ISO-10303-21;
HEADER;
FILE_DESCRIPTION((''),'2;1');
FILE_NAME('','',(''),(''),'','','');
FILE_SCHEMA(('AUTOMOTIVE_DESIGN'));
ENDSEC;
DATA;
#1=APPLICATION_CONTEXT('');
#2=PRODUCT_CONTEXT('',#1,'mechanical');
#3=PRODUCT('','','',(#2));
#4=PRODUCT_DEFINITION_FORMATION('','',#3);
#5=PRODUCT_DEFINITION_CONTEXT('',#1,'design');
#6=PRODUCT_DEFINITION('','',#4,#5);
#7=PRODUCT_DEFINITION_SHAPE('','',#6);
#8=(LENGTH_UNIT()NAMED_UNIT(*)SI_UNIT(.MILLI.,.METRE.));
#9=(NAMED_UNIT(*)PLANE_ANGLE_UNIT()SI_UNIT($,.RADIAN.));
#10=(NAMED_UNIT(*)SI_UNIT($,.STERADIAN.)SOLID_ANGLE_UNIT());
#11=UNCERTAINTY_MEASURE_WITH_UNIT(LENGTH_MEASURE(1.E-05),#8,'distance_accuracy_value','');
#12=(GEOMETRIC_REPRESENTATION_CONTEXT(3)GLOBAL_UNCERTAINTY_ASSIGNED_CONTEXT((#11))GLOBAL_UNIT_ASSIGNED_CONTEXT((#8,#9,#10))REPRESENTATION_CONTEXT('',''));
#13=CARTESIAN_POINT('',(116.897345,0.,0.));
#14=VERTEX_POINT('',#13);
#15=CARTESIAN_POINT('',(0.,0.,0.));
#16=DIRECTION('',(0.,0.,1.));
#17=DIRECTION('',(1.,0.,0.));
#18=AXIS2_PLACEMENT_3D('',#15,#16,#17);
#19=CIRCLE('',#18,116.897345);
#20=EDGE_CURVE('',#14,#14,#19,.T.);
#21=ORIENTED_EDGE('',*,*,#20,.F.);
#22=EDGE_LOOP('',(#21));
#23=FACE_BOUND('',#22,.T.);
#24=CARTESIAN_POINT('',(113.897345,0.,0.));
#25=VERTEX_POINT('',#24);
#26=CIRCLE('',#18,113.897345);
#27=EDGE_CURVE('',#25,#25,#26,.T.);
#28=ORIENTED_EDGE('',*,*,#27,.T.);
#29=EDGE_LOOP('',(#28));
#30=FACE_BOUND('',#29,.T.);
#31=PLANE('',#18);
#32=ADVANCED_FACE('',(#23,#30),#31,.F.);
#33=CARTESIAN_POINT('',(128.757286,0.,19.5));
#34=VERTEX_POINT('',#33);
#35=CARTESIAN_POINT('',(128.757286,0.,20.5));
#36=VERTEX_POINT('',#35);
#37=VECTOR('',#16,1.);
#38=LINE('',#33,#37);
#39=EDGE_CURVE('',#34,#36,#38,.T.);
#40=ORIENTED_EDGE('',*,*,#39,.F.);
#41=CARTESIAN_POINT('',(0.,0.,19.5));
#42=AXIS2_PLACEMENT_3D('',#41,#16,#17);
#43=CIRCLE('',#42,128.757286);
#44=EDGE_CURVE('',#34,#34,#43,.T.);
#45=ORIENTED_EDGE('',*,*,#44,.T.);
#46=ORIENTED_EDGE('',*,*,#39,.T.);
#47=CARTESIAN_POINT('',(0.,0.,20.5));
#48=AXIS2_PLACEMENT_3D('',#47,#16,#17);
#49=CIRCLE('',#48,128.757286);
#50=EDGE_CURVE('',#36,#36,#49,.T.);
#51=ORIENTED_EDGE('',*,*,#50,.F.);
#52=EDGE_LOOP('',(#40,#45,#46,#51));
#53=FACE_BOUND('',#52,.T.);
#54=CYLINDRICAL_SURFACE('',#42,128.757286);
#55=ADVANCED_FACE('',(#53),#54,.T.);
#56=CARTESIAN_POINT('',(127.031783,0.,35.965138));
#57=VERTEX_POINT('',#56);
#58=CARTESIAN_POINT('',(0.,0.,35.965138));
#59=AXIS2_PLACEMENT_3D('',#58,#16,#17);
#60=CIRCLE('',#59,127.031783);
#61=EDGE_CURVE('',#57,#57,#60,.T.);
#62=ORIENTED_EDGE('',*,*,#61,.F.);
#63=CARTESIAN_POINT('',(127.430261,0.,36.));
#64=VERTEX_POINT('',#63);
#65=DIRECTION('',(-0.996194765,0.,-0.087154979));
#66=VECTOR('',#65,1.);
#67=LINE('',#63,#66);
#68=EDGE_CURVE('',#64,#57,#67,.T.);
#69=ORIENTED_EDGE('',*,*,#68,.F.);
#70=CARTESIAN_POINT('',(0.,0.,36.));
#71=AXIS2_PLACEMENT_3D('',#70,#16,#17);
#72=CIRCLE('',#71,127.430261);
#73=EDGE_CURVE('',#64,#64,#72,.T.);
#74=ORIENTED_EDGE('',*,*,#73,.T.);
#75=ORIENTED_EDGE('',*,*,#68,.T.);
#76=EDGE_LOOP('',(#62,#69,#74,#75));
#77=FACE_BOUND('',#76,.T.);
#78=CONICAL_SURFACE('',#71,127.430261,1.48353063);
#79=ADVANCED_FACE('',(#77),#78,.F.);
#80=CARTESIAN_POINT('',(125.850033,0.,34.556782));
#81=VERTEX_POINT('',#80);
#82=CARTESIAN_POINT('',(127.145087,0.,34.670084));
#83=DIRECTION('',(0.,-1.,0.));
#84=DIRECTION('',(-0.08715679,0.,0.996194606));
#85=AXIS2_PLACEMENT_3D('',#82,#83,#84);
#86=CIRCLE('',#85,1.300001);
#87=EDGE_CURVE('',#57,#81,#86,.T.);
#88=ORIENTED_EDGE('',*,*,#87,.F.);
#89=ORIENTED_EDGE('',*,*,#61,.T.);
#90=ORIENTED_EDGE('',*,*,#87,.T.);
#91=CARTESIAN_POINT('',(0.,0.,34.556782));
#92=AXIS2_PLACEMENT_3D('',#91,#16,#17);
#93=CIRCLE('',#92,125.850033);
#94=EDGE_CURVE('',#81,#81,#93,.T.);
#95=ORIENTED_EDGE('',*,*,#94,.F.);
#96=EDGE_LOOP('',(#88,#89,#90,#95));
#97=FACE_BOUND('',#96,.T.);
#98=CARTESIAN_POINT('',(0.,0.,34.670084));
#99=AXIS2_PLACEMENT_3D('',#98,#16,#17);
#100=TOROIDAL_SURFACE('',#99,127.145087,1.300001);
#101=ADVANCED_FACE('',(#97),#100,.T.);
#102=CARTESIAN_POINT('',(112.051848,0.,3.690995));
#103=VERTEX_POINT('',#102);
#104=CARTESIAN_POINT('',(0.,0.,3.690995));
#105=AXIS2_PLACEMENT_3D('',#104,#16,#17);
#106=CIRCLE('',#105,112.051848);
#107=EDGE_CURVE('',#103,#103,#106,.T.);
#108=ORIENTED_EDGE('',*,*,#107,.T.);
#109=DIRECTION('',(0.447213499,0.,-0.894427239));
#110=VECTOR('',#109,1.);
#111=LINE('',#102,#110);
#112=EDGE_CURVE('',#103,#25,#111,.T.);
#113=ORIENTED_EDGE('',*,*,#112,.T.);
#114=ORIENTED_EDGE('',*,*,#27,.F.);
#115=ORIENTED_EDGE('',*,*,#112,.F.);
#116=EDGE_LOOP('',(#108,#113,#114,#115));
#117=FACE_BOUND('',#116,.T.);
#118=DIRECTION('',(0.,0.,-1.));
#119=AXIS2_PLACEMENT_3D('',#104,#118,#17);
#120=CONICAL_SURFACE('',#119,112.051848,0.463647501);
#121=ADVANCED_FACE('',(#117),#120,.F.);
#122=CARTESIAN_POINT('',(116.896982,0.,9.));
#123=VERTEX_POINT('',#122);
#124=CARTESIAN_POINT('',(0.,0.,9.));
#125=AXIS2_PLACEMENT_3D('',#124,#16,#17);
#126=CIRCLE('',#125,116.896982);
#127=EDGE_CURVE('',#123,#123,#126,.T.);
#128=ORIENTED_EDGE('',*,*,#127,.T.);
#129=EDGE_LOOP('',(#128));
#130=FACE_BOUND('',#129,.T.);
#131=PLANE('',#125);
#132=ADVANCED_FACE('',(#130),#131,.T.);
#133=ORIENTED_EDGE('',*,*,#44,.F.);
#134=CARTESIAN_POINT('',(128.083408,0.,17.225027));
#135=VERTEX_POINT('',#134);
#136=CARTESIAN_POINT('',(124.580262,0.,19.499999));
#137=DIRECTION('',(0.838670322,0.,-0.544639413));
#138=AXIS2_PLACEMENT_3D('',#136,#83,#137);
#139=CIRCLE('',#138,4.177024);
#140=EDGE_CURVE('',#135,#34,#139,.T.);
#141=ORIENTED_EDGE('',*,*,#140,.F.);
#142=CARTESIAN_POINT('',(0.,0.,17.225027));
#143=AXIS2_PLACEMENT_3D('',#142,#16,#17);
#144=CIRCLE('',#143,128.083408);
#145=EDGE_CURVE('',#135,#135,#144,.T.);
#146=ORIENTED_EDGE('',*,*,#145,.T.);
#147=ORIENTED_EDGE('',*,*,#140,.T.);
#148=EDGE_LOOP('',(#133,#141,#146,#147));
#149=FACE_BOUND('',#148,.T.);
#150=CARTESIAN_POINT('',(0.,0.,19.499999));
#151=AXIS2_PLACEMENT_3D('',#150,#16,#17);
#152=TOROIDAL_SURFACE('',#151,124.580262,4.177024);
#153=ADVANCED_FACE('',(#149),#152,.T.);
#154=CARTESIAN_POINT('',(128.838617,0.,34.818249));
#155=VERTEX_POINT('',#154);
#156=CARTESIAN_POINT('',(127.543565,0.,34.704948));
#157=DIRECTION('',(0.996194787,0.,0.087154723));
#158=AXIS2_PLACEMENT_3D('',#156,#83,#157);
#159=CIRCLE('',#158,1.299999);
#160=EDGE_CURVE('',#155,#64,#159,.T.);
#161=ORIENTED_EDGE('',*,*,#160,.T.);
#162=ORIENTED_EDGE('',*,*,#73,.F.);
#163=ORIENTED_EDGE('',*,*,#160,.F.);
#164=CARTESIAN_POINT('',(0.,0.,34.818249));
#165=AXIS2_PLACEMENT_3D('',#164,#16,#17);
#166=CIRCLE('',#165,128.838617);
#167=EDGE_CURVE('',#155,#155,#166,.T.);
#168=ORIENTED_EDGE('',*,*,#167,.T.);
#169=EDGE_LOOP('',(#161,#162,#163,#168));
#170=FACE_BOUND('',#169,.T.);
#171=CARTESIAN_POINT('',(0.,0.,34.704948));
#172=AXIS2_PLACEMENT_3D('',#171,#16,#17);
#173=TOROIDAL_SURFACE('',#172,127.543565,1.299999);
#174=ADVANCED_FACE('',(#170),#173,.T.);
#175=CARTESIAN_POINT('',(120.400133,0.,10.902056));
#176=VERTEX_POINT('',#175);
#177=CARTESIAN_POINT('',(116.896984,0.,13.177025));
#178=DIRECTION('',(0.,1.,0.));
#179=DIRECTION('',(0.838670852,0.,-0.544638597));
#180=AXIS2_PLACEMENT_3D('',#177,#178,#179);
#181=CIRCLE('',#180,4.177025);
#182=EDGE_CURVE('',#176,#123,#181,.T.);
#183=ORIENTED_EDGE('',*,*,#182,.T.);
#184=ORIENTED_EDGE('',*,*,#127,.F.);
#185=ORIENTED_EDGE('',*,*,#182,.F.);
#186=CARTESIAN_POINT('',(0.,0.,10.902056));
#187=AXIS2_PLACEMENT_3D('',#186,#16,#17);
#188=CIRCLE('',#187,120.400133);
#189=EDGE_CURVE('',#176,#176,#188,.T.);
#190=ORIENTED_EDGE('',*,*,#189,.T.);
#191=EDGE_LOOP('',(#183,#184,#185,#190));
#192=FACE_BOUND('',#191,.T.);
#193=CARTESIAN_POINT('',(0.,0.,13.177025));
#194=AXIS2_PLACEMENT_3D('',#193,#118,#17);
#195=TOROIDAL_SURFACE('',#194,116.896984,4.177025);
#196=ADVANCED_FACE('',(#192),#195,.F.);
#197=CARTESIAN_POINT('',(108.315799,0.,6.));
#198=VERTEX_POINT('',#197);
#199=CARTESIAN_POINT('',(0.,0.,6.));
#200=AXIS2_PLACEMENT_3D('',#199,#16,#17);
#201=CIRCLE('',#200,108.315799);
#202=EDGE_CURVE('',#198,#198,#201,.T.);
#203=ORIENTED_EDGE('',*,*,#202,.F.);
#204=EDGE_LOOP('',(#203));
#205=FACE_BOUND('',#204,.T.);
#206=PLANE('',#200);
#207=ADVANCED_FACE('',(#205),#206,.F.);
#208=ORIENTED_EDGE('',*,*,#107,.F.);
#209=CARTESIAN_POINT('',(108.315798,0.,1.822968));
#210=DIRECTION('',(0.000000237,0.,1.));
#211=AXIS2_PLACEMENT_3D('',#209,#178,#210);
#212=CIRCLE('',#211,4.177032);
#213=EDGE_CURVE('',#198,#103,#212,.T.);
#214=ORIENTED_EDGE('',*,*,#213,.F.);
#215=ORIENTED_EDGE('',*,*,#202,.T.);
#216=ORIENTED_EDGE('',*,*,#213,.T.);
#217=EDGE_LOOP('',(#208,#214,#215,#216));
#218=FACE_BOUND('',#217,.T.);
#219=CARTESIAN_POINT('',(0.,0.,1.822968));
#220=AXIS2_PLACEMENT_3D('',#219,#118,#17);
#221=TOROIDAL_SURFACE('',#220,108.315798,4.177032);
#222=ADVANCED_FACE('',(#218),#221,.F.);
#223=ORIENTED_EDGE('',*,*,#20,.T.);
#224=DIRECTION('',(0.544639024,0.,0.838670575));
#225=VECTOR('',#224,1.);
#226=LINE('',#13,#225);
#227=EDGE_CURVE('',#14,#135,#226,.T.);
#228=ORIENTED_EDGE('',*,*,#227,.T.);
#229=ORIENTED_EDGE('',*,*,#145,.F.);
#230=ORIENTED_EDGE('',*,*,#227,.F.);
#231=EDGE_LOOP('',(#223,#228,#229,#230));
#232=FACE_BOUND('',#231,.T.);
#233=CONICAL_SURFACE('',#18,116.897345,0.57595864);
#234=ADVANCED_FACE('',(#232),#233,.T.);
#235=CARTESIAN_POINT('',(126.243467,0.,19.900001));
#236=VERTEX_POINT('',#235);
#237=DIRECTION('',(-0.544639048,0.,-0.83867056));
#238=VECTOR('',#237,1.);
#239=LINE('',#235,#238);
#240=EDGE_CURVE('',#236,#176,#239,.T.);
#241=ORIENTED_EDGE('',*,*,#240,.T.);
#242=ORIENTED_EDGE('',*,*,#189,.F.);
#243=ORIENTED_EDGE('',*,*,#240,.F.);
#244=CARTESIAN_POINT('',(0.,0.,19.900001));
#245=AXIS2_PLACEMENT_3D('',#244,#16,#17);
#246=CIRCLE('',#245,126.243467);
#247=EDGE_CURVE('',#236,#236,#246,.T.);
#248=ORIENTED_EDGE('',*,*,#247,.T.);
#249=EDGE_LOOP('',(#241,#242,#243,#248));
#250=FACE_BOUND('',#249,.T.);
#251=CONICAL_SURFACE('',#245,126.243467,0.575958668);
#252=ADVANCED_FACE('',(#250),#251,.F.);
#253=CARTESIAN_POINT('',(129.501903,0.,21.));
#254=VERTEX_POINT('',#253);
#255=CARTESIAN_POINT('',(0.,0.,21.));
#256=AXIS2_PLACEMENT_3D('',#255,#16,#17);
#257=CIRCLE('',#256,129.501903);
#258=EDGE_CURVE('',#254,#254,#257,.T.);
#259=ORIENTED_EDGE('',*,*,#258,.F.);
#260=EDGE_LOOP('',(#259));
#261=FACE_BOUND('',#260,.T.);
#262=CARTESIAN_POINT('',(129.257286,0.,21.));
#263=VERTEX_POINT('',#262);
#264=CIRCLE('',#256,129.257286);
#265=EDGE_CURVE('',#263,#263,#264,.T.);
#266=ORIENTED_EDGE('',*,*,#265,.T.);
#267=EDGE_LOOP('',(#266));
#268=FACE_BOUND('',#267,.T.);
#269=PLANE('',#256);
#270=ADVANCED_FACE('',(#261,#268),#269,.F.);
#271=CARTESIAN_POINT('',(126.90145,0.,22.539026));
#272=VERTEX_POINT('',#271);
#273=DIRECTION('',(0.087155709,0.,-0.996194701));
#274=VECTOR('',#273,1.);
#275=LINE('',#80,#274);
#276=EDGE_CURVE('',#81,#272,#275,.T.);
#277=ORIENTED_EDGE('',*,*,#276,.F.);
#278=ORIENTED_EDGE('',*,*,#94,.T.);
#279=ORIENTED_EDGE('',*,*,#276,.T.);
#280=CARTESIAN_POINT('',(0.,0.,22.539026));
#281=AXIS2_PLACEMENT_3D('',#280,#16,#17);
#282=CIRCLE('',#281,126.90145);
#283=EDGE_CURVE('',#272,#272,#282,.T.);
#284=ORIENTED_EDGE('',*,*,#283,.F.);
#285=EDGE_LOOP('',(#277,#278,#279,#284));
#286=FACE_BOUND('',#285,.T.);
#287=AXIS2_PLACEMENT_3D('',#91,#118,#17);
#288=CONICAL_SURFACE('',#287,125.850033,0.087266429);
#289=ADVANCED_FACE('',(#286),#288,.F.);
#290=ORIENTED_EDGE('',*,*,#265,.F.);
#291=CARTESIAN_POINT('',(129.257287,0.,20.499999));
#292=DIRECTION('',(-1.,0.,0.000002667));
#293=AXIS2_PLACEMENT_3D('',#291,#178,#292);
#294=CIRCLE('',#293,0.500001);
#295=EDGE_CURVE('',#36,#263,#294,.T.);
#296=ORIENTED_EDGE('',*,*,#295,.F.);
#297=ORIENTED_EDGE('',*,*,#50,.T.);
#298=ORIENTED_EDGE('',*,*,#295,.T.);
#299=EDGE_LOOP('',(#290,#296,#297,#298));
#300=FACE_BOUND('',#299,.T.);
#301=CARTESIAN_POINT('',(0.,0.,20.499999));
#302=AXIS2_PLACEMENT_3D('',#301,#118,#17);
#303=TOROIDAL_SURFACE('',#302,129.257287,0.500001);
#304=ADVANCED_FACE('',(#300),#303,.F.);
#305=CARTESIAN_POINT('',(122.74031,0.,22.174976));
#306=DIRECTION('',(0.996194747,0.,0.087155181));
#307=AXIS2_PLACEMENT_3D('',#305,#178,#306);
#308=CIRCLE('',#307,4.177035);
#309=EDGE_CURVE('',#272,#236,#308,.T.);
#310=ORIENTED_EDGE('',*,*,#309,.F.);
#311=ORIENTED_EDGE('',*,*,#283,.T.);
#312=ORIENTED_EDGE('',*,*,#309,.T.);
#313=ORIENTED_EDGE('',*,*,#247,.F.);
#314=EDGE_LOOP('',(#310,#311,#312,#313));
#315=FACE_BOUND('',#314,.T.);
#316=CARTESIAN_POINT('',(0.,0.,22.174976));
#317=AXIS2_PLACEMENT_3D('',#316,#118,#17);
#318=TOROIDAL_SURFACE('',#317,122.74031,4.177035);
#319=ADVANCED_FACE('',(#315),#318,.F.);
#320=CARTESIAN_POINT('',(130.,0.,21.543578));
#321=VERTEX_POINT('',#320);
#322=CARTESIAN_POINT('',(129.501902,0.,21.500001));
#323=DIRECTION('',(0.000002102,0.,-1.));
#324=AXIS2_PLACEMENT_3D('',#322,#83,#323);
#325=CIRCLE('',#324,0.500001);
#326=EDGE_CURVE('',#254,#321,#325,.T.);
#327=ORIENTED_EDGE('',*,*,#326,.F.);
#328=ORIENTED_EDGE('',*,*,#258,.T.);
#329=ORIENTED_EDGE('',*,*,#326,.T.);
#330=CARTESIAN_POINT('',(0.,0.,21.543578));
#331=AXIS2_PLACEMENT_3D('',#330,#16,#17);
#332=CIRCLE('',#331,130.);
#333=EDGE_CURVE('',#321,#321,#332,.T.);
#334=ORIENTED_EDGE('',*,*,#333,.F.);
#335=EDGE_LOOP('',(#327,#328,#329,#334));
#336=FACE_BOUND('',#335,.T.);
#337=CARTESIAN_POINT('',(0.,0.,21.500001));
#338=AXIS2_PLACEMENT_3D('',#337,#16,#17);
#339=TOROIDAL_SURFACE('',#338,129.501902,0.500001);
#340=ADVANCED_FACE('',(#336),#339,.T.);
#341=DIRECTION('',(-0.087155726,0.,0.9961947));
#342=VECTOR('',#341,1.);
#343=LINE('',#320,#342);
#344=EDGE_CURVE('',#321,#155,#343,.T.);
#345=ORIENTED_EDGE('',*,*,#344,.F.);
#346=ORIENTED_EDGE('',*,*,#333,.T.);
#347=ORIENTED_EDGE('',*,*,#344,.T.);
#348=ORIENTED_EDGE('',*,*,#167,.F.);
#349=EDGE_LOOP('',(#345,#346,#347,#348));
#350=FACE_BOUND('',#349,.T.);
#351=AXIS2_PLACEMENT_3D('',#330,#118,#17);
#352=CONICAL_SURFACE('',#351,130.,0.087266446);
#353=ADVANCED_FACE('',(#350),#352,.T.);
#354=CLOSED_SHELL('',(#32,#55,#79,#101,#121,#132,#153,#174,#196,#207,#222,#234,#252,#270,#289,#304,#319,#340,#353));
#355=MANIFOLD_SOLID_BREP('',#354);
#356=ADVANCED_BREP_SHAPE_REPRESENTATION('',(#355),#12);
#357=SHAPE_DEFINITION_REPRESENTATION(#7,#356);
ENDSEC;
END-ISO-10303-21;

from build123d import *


with BuildPart() as f1:
    # F0 (on Front) → F1 (revolve)
    with BuildSketch(Plane.XZ):
        with BuildLine():
            Line((0, 9), (0, 6))
            Line((0, 6), (108.315799, 6))
            ThreePointArc((108.315799, 6), (110.511793, 5.376164), (112.051848, 3.690995))
            Line((112.051848, 3.690995), (113.897345, 0))
            Line((113.897345, 0), (116.897345, 0))
            Line((116.897345, 0), (128.083408, 17.225027))
            ThreePointArc((128.083408, 17.225027), (128.585275, 18.31366), (128.757286, 19.5))
            Line((128.757286, 19.5), (128.757286, 20.5))
            ThreePointArc((128.757286, 20.5), (128.903733, 20.853553), (129.257286, 21))
            Line((129.257286, 21), (129.501903, 21))
            ThreePointArc((129.501903, 21), (129.870541, 21.162205), (130, 21.543578))
            Line((130, 21.543578), (128.838617, 34.818249))
            ThreePointArc((128.838617, 34.818249), (128.379188, 35.700805), (127.430261, 36))
            Line((127.430261, 36), (127.031783, 35.965138))
            ThreePointArc((127.031783, 35.965138), (126.149228, 35.505708), (125.850033, 34.556782))
            Line((125.850033, 34.556782), (126.90145, 22.539026))
            ThreePointArc((126.90145, 22.539026), (126.793269, 21.16446), (126.243467, 19.900001))
            Line((126.243467, 19.900001), (120.400133, 10.902056))
            ThreePointArc((120.400133, 10.902056), (118.890088, 9.506184), (116.896982, 9))
            Line((116.896982, 9), (0, 9))
        make_face()
    revolve(axis=Axis((0, 0, 17.409125), (0, 0, 1)))


solid = f1.part
